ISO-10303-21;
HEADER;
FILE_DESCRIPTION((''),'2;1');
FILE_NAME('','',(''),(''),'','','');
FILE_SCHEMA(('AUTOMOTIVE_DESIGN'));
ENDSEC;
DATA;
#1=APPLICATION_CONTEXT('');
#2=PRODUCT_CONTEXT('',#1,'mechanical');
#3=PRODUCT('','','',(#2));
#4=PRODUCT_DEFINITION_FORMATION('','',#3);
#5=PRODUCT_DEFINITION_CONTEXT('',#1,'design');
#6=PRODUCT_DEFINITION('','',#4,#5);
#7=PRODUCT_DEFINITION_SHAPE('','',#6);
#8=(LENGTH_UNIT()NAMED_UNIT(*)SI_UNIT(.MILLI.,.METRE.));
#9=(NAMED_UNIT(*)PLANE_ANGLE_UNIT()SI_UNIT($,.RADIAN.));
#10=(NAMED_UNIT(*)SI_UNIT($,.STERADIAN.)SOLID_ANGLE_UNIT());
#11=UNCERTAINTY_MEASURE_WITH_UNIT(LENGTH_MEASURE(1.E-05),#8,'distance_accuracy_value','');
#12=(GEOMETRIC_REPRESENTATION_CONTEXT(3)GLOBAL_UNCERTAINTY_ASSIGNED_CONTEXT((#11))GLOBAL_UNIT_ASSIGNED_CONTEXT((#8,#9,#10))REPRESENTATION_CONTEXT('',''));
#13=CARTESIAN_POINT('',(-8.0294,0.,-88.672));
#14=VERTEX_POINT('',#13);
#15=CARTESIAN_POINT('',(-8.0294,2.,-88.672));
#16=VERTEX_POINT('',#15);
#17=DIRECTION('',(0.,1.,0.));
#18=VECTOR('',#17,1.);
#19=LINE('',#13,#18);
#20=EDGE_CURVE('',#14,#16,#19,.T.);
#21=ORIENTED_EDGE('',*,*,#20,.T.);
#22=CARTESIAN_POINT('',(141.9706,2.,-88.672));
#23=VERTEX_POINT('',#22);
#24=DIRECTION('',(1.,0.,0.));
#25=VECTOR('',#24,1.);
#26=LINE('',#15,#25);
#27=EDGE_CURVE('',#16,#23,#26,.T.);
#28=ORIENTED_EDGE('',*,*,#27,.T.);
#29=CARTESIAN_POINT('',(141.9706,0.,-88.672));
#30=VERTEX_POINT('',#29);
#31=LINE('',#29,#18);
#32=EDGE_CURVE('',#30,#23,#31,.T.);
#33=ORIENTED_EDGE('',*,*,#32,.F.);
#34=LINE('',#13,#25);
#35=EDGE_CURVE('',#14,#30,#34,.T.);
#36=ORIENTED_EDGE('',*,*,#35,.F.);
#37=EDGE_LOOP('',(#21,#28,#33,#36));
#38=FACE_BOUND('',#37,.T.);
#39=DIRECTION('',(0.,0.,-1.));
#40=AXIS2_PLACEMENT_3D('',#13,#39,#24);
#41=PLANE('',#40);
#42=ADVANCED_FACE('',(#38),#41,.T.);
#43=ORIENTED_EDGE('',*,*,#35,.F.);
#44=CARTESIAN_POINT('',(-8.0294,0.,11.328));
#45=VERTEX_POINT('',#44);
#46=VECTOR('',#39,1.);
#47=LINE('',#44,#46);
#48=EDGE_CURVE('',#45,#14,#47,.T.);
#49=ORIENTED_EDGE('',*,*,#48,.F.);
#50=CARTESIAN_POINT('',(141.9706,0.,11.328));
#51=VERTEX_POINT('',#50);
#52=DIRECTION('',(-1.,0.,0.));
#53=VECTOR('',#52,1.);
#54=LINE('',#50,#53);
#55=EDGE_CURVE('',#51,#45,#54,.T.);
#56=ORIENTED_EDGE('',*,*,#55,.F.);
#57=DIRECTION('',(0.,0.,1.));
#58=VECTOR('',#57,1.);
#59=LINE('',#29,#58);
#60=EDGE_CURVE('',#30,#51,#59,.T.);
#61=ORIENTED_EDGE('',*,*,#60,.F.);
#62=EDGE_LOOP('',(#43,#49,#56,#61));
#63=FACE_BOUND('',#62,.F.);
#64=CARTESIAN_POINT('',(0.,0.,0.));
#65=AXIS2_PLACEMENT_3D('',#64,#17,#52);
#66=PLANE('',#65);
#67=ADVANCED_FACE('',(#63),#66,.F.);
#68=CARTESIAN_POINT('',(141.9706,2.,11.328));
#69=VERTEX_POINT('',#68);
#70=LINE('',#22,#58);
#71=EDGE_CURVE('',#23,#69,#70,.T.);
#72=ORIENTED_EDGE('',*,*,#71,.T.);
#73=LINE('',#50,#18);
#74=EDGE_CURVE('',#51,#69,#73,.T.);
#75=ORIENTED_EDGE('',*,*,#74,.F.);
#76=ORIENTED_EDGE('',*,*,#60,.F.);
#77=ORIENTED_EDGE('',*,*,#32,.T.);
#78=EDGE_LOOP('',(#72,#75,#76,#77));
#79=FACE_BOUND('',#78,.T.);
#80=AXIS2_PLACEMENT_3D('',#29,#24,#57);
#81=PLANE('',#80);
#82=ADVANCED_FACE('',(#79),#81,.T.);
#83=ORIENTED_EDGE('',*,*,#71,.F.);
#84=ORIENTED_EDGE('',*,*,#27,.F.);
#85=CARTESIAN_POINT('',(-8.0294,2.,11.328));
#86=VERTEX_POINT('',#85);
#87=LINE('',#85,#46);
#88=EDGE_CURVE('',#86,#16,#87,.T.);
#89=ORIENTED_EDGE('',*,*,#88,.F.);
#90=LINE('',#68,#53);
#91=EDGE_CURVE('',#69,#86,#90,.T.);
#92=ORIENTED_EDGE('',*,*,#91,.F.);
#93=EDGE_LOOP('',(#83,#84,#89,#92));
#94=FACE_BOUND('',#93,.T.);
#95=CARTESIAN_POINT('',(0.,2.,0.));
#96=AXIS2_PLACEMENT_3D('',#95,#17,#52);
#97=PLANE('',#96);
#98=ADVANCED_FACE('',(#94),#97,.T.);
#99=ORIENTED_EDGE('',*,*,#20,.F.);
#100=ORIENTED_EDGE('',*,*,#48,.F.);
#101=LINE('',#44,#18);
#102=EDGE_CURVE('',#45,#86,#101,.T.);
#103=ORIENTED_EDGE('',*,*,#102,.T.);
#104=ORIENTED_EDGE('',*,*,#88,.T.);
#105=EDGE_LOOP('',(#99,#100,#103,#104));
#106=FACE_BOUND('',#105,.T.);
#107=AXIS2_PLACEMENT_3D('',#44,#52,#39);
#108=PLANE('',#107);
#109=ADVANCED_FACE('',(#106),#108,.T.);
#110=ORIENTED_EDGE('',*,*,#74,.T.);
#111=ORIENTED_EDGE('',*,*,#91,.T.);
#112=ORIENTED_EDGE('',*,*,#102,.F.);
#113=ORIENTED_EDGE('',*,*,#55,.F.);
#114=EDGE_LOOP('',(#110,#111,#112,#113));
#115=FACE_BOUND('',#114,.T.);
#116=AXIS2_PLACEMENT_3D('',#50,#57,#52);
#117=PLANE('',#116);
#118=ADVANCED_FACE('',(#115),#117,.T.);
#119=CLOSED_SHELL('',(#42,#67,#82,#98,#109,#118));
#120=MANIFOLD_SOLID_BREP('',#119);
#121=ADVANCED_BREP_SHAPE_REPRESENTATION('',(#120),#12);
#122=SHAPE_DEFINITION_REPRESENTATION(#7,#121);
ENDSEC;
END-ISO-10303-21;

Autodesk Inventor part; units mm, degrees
ref_plane "YZ Plane" through (0, 0, 0) normal (1, 0, 0) x (0, 1, 0)
ref_plane "XZ Plane" through (0, 0, 0) normal (0, 1, 0) x (-1, 0, 0)
ref_plane "XY Plane" through (0, 0, 0) normal (0, 0, 1) x (1, 0, 0)
sketch "Boceto1" plane through (0, 0, 0) normal (0, 1, 0) x (-1, 0, 0)
  line L0 (8.0294, 11.328) -> (8.0294, -88.672)
  line L1 (8.0294, -88.672) -> (-141.9706, -88.672)
  line L2 (-141.9706, -88.672) -> (-141.9706, 11.328)
  line L3 (-141.9706, 11.328) -> (8.0294, 11.328)
  point P0 (0, 0)
  dimension "d0" = 100
  dimension "d1" = 150
extrude "Extrusión1" add sketch "Boceto1" along normal blind 2
properties part number "placa pcb 100x150mm"
